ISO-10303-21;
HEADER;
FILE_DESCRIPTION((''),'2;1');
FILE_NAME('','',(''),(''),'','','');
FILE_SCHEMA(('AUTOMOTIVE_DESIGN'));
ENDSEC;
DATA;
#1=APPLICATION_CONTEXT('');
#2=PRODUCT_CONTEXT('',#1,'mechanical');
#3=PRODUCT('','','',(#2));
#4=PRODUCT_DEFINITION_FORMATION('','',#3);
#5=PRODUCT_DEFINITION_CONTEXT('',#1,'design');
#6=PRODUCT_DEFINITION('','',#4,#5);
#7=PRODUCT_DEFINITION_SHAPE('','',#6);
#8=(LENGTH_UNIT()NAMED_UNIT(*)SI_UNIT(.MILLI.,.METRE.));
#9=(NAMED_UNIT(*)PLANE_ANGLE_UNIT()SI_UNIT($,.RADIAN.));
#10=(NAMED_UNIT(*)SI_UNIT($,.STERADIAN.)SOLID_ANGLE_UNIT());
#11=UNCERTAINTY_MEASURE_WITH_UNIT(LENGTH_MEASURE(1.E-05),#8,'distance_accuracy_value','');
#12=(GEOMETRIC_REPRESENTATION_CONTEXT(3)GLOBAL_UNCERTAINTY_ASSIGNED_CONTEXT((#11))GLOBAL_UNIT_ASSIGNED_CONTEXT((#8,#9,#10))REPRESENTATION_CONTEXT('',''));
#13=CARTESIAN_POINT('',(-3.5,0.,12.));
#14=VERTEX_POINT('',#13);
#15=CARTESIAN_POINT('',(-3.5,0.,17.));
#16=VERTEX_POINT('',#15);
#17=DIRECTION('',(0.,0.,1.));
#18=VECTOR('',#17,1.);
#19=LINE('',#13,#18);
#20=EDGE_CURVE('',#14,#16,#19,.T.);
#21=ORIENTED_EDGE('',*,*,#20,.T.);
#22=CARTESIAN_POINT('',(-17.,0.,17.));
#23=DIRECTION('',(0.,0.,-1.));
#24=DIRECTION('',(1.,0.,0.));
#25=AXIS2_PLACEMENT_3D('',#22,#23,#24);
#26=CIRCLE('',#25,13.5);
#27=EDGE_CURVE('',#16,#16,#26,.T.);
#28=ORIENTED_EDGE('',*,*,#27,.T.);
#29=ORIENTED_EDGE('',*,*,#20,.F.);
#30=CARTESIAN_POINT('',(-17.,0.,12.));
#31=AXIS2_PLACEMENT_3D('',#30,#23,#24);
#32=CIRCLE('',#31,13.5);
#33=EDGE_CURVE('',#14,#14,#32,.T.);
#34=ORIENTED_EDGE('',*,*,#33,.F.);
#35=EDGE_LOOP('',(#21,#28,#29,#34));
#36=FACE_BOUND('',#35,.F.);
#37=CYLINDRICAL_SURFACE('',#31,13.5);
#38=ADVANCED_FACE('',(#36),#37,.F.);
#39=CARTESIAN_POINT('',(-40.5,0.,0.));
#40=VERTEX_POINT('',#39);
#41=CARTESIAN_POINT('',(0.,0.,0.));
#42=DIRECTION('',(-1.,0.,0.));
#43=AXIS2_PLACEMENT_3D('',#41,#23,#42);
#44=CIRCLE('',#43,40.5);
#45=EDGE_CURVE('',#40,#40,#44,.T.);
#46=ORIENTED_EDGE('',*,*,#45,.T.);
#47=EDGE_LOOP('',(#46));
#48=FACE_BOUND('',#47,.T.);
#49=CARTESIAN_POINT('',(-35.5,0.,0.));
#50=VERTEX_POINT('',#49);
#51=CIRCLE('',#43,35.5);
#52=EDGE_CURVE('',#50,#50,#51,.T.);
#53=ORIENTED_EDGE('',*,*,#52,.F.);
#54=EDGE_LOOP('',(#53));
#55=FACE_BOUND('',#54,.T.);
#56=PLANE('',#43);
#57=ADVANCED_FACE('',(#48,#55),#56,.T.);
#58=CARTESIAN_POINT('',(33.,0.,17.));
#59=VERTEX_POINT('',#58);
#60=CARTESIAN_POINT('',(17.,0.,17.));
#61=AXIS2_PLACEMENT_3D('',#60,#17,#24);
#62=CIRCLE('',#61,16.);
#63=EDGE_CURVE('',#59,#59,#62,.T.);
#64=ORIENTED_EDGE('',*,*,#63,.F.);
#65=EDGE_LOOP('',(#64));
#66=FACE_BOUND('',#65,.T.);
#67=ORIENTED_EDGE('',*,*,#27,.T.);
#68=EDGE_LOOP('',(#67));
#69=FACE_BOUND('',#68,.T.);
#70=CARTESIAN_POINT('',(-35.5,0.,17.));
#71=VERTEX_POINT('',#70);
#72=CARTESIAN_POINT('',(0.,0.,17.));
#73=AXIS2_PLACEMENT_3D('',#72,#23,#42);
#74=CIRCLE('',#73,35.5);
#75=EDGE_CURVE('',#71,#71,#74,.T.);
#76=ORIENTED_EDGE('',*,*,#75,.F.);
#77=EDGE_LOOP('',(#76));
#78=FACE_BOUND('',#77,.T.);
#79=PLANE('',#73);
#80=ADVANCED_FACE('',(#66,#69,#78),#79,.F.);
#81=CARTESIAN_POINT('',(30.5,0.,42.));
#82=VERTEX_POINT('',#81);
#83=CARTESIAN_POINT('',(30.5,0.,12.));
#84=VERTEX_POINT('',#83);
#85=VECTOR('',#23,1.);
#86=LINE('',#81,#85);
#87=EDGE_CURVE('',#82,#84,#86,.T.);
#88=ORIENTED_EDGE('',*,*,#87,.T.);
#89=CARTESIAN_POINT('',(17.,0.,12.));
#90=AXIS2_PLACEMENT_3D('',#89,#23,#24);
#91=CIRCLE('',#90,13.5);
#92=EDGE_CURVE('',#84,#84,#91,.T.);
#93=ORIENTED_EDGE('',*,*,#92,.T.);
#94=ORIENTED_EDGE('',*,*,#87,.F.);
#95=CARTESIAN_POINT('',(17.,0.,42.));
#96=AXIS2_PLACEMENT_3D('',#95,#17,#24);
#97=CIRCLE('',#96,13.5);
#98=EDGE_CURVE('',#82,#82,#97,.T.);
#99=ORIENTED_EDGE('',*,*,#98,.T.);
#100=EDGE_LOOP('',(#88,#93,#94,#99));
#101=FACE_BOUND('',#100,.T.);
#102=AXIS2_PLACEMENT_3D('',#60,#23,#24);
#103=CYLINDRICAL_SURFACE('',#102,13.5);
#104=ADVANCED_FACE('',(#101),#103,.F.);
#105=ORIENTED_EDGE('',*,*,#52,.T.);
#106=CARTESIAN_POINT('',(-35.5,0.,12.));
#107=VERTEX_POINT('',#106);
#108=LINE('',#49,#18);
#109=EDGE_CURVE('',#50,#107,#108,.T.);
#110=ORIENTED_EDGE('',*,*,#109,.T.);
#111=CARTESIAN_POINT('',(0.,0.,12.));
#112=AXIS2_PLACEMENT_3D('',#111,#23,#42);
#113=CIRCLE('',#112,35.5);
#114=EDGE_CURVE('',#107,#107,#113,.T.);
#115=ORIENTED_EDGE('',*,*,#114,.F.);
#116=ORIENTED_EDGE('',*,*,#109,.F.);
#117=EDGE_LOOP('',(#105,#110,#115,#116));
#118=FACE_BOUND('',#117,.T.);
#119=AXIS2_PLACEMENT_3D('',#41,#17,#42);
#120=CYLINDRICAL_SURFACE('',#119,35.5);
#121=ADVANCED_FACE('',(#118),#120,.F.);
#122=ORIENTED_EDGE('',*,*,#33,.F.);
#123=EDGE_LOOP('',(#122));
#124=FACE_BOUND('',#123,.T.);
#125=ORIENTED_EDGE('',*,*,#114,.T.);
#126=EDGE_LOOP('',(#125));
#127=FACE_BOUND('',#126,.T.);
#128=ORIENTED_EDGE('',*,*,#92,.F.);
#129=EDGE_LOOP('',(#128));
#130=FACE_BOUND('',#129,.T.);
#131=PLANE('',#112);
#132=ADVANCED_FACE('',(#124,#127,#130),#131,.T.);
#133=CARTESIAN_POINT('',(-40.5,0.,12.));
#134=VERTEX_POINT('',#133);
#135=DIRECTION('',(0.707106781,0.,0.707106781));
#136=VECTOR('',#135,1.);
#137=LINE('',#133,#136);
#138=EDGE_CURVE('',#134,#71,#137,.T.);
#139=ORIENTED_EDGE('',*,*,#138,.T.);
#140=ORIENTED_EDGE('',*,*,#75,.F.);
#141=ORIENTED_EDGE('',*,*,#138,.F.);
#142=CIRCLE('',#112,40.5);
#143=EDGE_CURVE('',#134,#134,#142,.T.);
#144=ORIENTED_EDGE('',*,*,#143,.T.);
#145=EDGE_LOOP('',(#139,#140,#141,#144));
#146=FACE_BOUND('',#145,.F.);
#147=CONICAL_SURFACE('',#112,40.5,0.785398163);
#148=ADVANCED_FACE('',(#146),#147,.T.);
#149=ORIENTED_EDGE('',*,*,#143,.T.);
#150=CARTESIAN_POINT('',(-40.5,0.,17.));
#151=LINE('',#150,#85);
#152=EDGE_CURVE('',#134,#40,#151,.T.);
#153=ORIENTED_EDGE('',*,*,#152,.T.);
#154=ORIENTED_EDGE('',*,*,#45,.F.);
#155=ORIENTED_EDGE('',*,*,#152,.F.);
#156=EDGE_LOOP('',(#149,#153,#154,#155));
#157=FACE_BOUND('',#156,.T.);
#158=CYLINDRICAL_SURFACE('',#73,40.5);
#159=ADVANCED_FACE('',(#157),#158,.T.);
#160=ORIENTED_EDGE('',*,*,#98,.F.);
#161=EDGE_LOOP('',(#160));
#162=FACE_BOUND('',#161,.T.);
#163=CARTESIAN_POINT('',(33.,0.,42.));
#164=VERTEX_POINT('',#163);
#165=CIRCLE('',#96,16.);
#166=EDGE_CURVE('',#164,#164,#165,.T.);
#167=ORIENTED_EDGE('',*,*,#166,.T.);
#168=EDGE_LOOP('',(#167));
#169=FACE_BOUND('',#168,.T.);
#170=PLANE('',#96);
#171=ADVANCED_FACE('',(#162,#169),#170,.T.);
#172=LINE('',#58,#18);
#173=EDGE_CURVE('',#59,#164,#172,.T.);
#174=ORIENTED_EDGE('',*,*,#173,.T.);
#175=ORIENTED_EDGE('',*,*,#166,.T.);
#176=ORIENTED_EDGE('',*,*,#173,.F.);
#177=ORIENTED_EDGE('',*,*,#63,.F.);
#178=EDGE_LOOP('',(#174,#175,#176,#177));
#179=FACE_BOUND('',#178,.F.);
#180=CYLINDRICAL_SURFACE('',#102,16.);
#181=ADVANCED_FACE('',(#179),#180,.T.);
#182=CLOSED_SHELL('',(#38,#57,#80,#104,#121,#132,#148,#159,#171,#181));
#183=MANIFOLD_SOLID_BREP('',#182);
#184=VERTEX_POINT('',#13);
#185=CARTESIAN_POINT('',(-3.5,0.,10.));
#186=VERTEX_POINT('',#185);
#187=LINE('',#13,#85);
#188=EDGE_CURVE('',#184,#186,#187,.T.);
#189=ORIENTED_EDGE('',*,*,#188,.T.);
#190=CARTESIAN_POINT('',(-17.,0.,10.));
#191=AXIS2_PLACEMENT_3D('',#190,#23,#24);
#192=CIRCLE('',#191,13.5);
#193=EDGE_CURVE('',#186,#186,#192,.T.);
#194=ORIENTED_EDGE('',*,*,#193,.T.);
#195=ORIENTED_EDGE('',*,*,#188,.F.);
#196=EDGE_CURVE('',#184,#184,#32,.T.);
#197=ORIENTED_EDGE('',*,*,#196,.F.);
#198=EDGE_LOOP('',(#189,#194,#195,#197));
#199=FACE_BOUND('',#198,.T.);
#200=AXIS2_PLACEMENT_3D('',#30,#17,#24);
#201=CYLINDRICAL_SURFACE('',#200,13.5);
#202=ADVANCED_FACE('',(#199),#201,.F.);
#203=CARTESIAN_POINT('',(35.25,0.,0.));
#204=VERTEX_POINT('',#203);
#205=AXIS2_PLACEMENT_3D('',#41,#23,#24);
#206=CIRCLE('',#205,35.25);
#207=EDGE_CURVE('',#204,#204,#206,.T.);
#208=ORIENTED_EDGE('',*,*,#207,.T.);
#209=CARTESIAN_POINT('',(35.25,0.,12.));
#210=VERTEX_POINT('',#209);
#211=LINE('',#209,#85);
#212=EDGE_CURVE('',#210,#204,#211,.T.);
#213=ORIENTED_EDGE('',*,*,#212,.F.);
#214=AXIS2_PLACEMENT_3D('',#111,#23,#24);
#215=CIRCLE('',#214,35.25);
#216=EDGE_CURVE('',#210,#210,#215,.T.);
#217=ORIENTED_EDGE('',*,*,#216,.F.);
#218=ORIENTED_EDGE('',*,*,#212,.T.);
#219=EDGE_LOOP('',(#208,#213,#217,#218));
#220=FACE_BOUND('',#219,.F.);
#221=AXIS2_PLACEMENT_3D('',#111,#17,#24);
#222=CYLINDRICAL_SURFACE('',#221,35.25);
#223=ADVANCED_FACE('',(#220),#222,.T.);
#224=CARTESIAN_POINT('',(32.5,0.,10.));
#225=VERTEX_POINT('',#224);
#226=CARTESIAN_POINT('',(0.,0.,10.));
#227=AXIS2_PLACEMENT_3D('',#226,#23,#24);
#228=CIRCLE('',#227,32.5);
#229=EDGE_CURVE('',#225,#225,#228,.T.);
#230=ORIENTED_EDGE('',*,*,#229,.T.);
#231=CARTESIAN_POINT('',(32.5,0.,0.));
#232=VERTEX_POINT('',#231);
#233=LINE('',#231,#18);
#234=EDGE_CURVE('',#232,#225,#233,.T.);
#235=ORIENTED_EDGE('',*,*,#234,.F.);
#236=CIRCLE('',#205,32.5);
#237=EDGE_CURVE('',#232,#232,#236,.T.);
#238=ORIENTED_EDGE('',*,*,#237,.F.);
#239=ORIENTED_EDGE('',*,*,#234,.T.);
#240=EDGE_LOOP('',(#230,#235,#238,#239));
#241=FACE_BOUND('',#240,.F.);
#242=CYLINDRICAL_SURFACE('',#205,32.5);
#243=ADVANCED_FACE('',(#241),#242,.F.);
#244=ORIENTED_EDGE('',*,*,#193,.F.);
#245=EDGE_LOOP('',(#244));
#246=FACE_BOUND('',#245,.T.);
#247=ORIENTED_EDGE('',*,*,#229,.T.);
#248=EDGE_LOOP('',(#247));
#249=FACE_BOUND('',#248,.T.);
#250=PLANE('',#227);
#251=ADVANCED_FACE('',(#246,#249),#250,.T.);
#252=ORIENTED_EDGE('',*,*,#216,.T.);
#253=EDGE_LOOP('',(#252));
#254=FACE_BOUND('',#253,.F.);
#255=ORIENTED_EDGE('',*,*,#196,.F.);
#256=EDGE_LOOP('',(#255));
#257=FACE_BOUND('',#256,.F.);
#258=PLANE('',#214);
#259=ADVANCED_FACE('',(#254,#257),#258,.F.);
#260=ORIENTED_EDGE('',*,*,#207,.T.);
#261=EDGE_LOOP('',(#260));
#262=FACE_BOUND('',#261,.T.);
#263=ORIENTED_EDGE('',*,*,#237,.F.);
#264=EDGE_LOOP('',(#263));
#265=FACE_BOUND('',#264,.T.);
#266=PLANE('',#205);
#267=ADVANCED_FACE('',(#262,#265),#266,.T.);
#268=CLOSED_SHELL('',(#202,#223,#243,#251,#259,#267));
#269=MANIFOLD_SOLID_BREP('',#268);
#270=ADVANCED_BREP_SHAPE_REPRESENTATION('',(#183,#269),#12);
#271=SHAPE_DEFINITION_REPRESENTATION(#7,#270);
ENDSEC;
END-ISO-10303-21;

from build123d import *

# Parameters (mm, degrees)
F2_R      = 13.5
F3_DEPTH  = 25
F4_SIZE   = 5
F5_R      = 35.25
F5_R_2    = 13.5
F6_DEPTH  = 12
F7_R      = 32.5
F7_R_2    = 13.5
F8_DEPTH  = 10
F9_R      = 16
F9_R_2    = 13.5
F10_DEPTH = 25


with BuildPart() as f1:
    # F0 (on Front) → F1 (revolve)
    with BuildSketch(Plane.XZ):
        Polygon((-40.5, 17), (-40.5, 0), (-35.5, 0), (-35.5, 12), (0, 12), (0, 17), align=None)
    revolve(axis=Axis((0, 0, 14.5), (0, 0, -1)))

    # F2 (on face) → F3 (cut)
    with BuildSketch(Plane(origin=(0, 0, 12), x_dir=(1, 0, 0), z_dir=(0, 0, -1))):
        with Locations((-17, 0)):
            Circle(F2_R)
        with Locations((17, 0)):
            Circle(F2_R)
    extrude(amount=-F3_DEPTH, mode=Mode.SUBTRACT)

    # F4
    f4_edges = [f1.edges().sort_by_distance(p)[0] for p in [
        (40.5, 0, 17),
    ]]
    chamfer(f4_edges, length=F4_SIZE)

    # F9 (on face) → F10 (join)
    with BuildSketch(Plane.XY.offset(17)):
        with Locations((17, 0)):
            Circle(F9_R)
        with Locations((17, 0)):
            Circle(F9_R_2, mode=Mode.SUBTRACT)
    extrude(amount=F10_DEPTH)


with BuildPart() as f6:
    # F5 (on face) → F6 (new body)
    with BuildSketch(Plane(origin=(0, 0, 12), x_dir=(1, 0, 0), z_dir=(0, 0, -1))):
        Circle(F5_R)
        with Locations((-17, 0)):
            Circle(F5_R_2, mode=Mode.SUBTRACT)
        with Locations((17, 0)):
            Circle(F5_R_2, mode=Mode.SUBTRACT)
        Circle(F5_R)
        with Locations((-17, 0)):
            Circle(F5_R_2, mode=Mode.SUBTRACT)
    extrude(amount=F6_DEPTH)

    # F7 (on face) → F8 (cut)
    with BuildSketch(Plane(origin=(0, 0, 0), x_dir=(1, 0, 0), z_dir=(0, 0, -1))):
        Circle(F7_R)
        Circle(F7_R)
        with Locations((-17, 0)):
            Circle(F7_R_2, mode=Mode.SUBTRACT)
    extrude(amount=-F8_DEPTH, mode=Mode.SUBTRACT)


solid = Compound([f1.part, f6.part])
